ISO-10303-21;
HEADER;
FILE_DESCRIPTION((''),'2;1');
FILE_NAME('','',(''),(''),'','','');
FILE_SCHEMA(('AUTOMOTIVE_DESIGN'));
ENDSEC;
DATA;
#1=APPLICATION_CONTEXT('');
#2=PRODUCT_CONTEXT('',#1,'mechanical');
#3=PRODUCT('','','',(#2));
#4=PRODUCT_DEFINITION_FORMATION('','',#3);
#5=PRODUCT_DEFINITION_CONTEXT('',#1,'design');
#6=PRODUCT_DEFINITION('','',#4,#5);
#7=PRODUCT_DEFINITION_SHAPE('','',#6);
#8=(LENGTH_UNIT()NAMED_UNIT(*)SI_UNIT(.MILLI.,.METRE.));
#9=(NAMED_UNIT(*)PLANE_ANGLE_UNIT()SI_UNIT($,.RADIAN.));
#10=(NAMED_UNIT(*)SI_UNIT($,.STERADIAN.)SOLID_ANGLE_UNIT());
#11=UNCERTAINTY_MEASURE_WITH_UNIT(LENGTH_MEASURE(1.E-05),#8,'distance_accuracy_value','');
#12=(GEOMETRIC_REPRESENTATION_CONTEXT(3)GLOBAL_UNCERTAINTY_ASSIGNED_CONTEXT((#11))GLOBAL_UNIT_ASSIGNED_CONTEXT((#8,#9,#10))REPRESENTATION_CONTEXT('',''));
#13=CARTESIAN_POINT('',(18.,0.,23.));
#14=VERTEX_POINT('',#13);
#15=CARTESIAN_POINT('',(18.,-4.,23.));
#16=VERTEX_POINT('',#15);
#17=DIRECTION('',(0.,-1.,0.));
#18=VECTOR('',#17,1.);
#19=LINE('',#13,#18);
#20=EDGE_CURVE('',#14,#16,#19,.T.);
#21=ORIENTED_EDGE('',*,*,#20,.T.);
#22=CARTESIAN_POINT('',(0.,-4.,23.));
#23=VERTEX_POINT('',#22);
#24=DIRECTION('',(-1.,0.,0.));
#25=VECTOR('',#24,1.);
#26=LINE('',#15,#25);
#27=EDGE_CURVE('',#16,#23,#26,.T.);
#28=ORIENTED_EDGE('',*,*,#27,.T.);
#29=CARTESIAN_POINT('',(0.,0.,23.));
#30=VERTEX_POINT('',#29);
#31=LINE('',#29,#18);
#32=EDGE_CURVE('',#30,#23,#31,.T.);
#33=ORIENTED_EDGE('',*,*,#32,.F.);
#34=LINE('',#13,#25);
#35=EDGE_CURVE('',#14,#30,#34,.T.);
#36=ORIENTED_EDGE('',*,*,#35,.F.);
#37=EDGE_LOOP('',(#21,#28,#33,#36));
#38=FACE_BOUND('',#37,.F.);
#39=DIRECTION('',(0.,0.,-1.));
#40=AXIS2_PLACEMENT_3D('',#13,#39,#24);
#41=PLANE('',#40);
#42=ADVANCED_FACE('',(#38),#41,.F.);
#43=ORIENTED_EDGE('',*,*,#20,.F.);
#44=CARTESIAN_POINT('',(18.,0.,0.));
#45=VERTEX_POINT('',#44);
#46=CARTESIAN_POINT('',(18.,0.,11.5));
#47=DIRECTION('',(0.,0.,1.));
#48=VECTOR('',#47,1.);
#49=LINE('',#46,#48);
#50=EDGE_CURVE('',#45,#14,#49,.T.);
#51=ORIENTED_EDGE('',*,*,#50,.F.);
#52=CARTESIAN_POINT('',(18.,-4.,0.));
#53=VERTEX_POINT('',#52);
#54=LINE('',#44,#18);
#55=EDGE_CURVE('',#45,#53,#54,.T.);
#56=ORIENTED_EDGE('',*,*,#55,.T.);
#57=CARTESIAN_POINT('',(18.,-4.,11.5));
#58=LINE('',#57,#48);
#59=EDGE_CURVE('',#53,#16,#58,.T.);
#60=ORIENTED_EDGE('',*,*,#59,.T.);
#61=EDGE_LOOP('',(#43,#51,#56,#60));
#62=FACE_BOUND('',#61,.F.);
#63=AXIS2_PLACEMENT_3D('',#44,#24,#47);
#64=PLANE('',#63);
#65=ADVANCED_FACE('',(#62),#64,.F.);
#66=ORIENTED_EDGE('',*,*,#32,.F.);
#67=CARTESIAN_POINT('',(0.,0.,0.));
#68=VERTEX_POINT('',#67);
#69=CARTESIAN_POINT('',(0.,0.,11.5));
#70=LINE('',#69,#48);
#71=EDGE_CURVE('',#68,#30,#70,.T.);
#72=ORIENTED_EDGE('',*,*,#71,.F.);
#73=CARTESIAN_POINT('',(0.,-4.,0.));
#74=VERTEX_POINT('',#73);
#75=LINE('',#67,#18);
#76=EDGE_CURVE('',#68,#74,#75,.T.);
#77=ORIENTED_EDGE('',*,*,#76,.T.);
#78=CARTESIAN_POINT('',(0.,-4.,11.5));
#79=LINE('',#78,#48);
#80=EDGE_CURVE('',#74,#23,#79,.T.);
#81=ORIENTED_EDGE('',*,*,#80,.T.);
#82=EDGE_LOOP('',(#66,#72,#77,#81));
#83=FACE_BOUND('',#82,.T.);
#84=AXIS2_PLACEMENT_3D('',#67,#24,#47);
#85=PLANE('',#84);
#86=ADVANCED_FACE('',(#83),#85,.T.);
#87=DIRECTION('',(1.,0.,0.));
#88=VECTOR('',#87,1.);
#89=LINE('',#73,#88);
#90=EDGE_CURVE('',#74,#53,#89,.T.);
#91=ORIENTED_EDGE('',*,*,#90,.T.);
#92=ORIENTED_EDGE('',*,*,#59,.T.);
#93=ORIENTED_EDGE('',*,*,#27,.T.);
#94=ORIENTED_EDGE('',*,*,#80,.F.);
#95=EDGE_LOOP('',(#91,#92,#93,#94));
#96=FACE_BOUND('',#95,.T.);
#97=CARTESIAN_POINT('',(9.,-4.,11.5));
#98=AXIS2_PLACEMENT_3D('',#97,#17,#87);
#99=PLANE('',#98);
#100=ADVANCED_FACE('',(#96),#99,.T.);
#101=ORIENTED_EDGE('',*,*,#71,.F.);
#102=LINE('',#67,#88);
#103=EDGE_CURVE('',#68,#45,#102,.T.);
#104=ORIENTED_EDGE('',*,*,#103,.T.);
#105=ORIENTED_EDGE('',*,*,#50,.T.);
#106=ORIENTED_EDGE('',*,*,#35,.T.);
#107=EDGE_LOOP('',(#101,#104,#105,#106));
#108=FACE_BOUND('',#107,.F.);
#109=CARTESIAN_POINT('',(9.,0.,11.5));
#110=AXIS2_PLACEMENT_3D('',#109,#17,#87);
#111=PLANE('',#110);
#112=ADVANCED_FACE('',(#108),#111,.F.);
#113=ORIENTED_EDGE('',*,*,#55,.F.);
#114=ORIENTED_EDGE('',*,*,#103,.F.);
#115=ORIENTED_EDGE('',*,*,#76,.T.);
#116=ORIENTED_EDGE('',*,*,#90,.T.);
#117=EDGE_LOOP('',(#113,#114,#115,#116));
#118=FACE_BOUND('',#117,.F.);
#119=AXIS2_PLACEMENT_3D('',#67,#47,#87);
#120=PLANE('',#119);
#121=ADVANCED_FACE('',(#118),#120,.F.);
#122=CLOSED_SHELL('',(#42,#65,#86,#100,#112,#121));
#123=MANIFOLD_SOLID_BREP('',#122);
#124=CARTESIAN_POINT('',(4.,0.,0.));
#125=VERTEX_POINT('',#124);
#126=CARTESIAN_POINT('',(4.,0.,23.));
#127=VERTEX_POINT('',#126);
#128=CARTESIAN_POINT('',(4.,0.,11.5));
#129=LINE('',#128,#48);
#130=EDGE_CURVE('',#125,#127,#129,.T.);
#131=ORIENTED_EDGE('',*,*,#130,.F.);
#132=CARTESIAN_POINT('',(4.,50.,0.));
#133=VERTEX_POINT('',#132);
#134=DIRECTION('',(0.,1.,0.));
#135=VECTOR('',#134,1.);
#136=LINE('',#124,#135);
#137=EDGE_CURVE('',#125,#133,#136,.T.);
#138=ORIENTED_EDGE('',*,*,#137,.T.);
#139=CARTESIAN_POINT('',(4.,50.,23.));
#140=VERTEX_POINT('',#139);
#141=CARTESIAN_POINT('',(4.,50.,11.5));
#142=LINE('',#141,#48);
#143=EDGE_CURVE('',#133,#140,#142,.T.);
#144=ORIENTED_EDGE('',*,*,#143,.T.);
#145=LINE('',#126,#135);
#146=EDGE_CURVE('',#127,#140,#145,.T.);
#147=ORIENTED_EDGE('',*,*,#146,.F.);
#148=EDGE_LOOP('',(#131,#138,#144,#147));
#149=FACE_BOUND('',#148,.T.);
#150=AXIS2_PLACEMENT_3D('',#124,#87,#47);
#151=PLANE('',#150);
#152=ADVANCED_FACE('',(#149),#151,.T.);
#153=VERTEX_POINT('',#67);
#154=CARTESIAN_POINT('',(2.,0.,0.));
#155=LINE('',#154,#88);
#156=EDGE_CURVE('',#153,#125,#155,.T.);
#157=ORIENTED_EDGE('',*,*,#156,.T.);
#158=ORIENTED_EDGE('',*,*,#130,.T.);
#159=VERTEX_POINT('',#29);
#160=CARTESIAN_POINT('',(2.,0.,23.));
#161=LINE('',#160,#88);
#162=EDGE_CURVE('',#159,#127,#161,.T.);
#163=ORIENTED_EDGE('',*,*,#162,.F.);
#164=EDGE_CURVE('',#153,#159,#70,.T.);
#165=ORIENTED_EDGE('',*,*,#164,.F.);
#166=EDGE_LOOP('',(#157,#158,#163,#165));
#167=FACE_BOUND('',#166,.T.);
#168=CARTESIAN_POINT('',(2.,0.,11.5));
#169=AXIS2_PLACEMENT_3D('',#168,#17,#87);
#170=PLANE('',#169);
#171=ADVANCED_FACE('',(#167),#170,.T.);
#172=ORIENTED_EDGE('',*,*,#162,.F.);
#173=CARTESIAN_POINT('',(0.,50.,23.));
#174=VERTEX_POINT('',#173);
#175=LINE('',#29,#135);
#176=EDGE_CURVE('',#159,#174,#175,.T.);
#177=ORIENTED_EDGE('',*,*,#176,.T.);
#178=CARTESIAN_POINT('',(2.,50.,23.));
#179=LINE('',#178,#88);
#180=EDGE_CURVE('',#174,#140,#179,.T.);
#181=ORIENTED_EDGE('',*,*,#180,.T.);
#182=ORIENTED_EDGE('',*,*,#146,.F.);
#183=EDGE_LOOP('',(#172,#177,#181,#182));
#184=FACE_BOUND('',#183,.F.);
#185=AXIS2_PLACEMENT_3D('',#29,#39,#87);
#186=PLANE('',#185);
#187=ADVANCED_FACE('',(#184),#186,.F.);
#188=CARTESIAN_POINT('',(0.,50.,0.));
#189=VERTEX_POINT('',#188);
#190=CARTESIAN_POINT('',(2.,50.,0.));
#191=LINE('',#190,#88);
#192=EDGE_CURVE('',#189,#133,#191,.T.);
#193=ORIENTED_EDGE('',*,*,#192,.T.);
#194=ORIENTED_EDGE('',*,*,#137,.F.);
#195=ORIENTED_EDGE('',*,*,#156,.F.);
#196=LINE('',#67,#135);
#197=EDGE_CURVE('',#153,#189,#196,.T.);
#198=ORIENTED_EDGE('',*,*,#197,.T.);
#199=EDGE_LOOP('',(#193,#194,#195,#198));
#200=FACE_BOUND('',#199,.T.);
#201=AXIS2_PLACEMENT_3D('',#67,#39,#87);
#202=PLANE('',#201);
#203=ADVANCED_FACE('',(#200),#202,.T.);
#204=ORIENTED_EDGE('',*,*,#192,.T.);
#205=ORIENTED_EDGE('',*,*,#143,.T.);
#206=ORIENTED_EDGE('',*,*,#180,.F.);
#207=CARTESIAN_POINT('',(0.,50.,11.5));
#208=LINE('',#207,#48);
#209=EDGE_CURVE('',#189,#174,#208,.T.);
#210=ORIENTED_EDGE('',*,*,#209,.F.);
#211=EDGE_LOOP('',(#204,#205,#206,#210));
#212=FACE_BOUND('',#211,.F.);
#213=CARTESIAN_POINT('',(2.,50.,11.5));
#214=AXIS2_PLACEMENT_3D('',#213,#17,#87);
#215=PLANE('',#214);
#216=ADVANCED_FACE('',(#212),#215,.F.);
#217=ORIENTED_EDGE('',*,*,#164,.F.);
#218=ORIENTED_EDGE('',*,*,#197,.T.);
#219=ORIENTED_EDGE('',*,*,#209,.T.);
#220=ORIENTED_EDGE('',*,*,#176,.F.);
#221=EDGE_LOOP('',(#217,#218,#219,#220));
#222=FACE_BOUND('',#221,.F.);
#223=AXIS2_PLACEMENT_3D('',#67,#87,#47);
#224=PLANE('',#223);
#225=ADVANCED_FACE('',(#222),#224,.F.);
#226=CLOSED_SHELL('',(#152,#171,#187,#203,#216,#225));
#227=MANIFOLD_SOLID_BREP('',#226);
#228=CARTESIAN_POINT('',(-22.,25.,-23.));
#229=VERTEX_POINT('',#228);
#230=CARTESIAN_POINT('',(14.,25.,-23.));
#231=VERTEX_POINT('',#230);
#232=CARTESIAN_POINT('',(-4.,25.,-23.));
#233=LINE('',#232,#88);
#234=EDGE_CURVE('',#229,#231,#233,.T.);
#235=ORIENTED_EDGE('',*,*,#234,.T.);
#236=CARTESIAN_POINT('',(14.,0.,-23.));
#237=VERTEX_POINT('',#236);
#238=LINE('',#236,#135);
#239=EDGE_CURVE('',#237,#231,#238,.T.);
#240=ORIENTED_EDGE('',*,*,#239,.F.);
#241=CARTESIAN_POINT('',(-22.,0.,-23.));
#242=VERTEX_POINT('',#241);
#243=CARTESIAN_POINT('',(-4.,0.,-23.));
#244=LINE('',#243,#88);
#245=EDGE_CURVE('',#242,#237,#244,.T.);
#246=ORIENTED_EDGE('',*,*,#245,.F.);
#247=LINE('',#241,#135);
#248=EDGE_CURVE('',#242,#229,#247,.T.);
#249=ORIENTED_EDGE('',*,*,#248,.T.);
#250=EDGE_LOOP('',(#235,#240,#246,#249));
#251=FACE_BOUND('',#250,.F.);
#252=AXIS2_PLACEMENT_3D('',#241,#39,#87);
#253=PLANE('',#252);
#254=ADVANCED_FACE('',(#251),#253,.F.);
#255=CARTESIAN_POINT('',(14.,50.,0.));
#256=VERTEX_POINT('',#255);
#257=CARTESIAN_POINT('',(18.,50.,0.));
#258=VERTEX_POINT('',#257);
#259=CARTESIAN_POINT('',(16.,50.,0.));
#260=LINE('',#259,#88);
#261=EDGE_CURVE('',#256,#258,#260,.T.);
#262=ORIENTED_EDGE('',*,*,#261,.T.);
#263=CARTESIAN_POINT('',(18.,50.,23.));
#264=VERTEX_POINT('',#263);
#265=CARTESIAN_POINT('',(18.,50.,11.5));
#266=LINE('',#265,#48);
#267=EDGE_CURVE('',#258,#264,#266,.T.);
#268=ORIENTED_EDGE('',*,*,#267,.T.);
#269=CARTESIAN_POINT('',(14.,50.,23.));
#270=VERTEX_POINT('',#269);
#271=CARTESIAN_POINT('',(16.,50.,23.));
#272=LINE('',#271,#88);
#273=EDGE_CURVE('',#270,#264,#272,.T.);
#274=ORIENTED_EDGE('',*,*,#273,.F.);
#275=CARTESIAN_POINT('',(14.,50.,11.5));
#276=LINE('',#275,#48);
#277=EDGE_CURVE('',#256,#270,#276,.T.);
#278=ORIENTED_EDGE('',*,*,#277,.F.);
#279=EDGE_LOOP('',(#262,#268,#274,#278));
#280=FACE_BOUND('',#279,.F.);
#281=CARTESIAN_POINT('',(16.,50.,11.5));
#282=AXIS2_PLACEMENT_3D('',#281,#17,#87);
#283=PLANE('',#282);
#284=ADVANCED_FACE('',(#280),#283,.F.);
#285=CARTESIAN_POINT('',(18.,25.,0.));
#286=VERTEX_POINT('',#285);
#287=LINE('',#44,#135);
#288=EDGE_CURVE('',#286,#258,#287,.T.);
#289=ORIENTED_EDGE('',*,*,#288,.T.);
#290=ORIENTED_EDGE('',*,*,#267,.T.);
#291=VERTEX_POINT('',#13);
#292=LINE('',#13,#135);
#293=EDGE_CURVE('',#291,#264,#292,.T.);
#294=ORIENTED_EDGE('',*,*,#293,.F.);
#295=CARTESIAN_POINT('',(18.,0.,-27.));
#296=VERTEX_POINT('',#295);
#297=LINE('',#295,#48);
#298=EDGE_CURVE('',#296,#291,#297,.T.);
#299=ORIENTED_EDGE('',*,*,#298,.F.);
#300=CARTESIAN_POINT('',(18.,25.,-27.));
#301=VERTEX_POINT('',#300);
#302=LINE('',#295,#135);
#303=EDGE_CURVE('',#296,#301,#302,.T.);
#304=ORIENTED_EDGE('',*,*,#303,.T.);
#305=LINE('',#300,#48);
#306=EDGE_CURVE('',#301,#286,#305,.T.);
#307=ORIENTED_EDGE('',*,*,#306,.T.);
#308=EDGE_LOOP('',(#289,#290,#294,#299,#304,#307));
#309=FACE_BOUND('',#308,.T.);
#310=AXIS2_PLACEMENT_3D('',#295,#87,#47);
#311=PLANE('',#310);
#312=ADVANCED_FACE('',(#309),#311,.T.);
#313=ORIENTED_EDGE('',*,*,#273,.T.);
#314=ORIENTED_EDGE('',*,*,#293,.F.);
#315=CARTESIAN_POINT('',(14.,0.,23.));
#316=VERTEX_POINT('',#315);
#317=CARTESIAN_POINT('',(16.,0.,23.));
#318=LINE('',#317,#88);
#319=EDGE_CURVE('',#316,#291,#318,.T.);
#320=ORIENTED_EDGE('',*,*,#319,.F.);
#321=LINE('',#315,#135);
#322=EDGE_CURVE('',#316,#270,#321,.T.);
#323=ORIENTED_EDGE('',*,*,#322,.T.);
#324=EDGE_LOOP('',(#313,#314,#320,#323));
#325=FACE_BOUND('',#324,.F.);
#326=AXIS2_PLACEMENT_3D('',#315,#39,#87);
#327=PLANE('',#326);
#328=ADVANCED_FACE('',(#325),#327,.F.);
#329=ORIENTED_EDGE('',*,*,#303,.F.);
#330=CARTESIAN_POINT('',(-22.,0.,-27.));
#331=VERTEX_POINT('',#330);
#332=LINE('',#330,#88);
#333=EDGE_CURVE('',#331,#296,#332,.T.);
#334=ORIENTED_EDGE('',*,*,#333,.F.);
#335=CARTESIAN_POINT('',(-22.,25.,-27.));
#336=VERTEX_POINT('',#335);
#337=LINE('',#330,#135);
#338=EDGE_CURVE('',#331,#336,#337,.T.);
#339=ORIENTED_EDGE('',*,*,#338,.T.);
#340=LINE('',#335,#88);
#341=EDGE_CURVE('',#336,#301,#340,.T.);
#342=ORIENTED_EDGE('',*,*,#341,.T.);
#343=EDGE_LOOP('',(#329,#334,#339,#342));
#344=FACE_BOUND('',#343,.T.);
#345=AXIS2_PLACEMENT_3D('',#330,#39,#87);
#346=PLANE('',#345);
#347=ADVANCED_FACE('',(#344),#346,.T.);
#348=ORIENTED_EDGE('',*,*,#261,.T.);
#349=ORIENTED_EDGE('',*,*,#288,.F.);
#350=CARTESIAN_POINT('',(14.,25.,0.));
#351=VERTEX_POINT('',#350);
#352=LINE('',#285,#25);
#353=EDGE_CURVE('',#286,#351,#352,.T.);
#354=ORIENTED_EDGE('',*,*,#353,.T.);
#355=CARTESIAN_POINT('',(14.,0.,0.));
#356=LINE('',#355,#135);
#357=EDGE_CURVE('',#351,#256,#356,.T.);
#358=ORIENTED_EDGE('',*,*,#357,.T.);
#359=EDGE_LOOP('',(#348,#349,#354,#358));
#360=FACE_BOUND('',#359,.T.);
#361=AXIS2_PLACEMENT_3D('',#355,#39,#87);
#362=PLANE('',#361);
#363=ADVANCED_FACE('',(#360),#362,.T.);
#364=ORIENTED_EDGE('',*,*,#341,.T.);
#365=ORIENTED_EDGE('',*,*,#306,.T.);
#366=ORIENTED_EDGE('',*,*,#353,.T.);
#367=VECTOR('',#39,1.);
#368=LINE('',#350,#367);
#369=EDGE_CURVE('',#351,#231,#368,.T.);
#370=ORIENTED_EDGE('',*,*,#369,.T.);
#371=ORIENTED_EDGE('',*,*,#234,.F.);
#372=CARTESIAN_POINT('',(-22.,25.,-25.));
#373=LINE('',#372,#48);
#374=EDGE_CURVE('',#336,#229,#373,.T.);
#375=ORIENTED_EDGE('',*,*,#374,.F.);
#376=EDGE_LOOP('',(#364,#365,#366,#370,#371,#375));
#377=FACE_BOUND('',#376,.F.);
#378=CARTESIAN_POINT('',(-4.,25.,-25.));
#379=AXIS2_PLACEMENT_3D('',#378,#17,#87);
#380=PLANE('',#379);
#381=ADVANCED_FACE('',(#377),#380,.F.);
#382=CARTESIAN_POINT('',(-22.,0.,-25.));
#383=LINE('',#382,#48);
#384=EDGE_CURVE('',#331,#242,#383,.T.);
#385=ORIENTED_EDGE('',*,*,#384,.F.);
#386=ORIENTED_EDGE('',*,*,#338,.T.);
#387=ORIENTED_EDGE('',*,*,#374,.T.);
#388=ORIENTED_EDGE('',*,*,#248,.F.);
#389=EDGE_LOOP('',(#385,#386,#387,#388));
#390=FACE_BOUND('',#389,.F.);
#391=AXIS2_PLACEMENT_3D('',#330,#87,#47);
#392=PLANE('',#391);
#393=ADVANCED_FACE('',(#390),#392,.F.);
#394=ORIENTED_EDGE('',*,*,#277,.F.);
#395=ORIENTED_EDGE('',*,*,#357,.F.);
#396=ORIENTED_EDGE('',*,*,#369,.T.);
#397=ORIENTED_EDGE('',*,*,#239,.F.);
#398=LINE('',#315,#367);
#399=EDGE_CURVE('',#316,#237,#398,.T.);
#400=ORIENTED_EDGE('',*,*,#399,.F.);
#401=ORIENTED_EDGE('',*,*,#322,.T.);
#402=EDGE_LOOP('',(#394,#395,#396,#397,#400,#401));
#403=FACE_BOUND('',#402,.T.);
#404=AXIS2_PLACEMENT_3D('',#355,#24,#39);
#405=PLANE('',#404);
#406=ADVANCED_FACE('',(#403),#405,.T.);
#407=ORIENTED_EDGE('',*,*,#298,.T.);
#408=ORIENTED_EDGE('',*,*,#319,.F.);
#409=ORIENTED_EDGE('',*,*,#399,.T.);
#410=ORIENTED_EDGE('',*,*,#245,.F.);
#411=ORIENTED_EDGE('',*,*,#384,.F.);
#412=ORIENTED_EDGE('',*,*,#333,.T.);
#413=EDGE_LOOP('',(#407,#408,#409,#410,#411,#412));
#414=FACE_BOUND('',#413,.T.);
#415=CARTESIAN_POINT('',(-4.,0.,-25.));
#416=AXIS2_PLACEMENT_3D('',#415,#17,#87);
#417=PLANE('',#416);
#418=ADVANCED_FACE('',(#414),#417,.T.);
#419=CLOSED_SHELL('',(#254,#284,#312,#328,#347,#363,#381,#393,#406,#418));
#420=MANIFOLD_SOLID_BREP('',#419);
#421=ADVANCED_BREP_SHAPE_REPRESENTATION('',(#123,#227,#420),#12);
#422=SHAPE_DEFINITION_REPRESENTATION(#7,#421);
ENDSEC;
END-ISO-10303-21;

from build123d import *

# Parameters (mm, degrees)
F0_W     = 4
F0_H     = 23
F1_DEPTH = 50
F0_W_2   = 36
F0_H_2   = 4
F2_DEPTH = 25
F0_W_3   = 10
F3_DEPTH = 4


with BuildPart() as f1:
    # F0 (on Front) → F1 (new body)
    with BuildSketch(Plane.XZ):
        with Locations((2, 11.5)):
            Rectangle(F0_W, F0_H)
        with Locations((16, 11.5)):
            Rectangle(F0_W, F0_H)
    extrude(amount=-F1_DEPTH)

    # F0 (on Front) → F2 (join)
    with BuildSketch(Plane.XZ):
        with Locations((-4, -25)):
            Rectangle(F0_W_2, F0_H_2)
        Polygon((18, 0), (14, 0), (14, -23), (14, -27), (18, -27), align=None)
    extrude(amount=-F2_DEPTH)


with BuildPart() as f3:
    # F0 (on Front) → F3 (new body)
    with BuildSketch(Plane.XZ):
        with Locations((9, 11.5)):
            Rectangle(F0_W_3, F0_H)
        with Locations((2, 11.5)):
            Rectangle(F0_W, F0_H)
        with Locations((16, 11.5)):
            Rectangle(F0_W, F0_H)
    extrude(amount=F3_DEPTH)


solid = Compound([f1.part, f3.part])
